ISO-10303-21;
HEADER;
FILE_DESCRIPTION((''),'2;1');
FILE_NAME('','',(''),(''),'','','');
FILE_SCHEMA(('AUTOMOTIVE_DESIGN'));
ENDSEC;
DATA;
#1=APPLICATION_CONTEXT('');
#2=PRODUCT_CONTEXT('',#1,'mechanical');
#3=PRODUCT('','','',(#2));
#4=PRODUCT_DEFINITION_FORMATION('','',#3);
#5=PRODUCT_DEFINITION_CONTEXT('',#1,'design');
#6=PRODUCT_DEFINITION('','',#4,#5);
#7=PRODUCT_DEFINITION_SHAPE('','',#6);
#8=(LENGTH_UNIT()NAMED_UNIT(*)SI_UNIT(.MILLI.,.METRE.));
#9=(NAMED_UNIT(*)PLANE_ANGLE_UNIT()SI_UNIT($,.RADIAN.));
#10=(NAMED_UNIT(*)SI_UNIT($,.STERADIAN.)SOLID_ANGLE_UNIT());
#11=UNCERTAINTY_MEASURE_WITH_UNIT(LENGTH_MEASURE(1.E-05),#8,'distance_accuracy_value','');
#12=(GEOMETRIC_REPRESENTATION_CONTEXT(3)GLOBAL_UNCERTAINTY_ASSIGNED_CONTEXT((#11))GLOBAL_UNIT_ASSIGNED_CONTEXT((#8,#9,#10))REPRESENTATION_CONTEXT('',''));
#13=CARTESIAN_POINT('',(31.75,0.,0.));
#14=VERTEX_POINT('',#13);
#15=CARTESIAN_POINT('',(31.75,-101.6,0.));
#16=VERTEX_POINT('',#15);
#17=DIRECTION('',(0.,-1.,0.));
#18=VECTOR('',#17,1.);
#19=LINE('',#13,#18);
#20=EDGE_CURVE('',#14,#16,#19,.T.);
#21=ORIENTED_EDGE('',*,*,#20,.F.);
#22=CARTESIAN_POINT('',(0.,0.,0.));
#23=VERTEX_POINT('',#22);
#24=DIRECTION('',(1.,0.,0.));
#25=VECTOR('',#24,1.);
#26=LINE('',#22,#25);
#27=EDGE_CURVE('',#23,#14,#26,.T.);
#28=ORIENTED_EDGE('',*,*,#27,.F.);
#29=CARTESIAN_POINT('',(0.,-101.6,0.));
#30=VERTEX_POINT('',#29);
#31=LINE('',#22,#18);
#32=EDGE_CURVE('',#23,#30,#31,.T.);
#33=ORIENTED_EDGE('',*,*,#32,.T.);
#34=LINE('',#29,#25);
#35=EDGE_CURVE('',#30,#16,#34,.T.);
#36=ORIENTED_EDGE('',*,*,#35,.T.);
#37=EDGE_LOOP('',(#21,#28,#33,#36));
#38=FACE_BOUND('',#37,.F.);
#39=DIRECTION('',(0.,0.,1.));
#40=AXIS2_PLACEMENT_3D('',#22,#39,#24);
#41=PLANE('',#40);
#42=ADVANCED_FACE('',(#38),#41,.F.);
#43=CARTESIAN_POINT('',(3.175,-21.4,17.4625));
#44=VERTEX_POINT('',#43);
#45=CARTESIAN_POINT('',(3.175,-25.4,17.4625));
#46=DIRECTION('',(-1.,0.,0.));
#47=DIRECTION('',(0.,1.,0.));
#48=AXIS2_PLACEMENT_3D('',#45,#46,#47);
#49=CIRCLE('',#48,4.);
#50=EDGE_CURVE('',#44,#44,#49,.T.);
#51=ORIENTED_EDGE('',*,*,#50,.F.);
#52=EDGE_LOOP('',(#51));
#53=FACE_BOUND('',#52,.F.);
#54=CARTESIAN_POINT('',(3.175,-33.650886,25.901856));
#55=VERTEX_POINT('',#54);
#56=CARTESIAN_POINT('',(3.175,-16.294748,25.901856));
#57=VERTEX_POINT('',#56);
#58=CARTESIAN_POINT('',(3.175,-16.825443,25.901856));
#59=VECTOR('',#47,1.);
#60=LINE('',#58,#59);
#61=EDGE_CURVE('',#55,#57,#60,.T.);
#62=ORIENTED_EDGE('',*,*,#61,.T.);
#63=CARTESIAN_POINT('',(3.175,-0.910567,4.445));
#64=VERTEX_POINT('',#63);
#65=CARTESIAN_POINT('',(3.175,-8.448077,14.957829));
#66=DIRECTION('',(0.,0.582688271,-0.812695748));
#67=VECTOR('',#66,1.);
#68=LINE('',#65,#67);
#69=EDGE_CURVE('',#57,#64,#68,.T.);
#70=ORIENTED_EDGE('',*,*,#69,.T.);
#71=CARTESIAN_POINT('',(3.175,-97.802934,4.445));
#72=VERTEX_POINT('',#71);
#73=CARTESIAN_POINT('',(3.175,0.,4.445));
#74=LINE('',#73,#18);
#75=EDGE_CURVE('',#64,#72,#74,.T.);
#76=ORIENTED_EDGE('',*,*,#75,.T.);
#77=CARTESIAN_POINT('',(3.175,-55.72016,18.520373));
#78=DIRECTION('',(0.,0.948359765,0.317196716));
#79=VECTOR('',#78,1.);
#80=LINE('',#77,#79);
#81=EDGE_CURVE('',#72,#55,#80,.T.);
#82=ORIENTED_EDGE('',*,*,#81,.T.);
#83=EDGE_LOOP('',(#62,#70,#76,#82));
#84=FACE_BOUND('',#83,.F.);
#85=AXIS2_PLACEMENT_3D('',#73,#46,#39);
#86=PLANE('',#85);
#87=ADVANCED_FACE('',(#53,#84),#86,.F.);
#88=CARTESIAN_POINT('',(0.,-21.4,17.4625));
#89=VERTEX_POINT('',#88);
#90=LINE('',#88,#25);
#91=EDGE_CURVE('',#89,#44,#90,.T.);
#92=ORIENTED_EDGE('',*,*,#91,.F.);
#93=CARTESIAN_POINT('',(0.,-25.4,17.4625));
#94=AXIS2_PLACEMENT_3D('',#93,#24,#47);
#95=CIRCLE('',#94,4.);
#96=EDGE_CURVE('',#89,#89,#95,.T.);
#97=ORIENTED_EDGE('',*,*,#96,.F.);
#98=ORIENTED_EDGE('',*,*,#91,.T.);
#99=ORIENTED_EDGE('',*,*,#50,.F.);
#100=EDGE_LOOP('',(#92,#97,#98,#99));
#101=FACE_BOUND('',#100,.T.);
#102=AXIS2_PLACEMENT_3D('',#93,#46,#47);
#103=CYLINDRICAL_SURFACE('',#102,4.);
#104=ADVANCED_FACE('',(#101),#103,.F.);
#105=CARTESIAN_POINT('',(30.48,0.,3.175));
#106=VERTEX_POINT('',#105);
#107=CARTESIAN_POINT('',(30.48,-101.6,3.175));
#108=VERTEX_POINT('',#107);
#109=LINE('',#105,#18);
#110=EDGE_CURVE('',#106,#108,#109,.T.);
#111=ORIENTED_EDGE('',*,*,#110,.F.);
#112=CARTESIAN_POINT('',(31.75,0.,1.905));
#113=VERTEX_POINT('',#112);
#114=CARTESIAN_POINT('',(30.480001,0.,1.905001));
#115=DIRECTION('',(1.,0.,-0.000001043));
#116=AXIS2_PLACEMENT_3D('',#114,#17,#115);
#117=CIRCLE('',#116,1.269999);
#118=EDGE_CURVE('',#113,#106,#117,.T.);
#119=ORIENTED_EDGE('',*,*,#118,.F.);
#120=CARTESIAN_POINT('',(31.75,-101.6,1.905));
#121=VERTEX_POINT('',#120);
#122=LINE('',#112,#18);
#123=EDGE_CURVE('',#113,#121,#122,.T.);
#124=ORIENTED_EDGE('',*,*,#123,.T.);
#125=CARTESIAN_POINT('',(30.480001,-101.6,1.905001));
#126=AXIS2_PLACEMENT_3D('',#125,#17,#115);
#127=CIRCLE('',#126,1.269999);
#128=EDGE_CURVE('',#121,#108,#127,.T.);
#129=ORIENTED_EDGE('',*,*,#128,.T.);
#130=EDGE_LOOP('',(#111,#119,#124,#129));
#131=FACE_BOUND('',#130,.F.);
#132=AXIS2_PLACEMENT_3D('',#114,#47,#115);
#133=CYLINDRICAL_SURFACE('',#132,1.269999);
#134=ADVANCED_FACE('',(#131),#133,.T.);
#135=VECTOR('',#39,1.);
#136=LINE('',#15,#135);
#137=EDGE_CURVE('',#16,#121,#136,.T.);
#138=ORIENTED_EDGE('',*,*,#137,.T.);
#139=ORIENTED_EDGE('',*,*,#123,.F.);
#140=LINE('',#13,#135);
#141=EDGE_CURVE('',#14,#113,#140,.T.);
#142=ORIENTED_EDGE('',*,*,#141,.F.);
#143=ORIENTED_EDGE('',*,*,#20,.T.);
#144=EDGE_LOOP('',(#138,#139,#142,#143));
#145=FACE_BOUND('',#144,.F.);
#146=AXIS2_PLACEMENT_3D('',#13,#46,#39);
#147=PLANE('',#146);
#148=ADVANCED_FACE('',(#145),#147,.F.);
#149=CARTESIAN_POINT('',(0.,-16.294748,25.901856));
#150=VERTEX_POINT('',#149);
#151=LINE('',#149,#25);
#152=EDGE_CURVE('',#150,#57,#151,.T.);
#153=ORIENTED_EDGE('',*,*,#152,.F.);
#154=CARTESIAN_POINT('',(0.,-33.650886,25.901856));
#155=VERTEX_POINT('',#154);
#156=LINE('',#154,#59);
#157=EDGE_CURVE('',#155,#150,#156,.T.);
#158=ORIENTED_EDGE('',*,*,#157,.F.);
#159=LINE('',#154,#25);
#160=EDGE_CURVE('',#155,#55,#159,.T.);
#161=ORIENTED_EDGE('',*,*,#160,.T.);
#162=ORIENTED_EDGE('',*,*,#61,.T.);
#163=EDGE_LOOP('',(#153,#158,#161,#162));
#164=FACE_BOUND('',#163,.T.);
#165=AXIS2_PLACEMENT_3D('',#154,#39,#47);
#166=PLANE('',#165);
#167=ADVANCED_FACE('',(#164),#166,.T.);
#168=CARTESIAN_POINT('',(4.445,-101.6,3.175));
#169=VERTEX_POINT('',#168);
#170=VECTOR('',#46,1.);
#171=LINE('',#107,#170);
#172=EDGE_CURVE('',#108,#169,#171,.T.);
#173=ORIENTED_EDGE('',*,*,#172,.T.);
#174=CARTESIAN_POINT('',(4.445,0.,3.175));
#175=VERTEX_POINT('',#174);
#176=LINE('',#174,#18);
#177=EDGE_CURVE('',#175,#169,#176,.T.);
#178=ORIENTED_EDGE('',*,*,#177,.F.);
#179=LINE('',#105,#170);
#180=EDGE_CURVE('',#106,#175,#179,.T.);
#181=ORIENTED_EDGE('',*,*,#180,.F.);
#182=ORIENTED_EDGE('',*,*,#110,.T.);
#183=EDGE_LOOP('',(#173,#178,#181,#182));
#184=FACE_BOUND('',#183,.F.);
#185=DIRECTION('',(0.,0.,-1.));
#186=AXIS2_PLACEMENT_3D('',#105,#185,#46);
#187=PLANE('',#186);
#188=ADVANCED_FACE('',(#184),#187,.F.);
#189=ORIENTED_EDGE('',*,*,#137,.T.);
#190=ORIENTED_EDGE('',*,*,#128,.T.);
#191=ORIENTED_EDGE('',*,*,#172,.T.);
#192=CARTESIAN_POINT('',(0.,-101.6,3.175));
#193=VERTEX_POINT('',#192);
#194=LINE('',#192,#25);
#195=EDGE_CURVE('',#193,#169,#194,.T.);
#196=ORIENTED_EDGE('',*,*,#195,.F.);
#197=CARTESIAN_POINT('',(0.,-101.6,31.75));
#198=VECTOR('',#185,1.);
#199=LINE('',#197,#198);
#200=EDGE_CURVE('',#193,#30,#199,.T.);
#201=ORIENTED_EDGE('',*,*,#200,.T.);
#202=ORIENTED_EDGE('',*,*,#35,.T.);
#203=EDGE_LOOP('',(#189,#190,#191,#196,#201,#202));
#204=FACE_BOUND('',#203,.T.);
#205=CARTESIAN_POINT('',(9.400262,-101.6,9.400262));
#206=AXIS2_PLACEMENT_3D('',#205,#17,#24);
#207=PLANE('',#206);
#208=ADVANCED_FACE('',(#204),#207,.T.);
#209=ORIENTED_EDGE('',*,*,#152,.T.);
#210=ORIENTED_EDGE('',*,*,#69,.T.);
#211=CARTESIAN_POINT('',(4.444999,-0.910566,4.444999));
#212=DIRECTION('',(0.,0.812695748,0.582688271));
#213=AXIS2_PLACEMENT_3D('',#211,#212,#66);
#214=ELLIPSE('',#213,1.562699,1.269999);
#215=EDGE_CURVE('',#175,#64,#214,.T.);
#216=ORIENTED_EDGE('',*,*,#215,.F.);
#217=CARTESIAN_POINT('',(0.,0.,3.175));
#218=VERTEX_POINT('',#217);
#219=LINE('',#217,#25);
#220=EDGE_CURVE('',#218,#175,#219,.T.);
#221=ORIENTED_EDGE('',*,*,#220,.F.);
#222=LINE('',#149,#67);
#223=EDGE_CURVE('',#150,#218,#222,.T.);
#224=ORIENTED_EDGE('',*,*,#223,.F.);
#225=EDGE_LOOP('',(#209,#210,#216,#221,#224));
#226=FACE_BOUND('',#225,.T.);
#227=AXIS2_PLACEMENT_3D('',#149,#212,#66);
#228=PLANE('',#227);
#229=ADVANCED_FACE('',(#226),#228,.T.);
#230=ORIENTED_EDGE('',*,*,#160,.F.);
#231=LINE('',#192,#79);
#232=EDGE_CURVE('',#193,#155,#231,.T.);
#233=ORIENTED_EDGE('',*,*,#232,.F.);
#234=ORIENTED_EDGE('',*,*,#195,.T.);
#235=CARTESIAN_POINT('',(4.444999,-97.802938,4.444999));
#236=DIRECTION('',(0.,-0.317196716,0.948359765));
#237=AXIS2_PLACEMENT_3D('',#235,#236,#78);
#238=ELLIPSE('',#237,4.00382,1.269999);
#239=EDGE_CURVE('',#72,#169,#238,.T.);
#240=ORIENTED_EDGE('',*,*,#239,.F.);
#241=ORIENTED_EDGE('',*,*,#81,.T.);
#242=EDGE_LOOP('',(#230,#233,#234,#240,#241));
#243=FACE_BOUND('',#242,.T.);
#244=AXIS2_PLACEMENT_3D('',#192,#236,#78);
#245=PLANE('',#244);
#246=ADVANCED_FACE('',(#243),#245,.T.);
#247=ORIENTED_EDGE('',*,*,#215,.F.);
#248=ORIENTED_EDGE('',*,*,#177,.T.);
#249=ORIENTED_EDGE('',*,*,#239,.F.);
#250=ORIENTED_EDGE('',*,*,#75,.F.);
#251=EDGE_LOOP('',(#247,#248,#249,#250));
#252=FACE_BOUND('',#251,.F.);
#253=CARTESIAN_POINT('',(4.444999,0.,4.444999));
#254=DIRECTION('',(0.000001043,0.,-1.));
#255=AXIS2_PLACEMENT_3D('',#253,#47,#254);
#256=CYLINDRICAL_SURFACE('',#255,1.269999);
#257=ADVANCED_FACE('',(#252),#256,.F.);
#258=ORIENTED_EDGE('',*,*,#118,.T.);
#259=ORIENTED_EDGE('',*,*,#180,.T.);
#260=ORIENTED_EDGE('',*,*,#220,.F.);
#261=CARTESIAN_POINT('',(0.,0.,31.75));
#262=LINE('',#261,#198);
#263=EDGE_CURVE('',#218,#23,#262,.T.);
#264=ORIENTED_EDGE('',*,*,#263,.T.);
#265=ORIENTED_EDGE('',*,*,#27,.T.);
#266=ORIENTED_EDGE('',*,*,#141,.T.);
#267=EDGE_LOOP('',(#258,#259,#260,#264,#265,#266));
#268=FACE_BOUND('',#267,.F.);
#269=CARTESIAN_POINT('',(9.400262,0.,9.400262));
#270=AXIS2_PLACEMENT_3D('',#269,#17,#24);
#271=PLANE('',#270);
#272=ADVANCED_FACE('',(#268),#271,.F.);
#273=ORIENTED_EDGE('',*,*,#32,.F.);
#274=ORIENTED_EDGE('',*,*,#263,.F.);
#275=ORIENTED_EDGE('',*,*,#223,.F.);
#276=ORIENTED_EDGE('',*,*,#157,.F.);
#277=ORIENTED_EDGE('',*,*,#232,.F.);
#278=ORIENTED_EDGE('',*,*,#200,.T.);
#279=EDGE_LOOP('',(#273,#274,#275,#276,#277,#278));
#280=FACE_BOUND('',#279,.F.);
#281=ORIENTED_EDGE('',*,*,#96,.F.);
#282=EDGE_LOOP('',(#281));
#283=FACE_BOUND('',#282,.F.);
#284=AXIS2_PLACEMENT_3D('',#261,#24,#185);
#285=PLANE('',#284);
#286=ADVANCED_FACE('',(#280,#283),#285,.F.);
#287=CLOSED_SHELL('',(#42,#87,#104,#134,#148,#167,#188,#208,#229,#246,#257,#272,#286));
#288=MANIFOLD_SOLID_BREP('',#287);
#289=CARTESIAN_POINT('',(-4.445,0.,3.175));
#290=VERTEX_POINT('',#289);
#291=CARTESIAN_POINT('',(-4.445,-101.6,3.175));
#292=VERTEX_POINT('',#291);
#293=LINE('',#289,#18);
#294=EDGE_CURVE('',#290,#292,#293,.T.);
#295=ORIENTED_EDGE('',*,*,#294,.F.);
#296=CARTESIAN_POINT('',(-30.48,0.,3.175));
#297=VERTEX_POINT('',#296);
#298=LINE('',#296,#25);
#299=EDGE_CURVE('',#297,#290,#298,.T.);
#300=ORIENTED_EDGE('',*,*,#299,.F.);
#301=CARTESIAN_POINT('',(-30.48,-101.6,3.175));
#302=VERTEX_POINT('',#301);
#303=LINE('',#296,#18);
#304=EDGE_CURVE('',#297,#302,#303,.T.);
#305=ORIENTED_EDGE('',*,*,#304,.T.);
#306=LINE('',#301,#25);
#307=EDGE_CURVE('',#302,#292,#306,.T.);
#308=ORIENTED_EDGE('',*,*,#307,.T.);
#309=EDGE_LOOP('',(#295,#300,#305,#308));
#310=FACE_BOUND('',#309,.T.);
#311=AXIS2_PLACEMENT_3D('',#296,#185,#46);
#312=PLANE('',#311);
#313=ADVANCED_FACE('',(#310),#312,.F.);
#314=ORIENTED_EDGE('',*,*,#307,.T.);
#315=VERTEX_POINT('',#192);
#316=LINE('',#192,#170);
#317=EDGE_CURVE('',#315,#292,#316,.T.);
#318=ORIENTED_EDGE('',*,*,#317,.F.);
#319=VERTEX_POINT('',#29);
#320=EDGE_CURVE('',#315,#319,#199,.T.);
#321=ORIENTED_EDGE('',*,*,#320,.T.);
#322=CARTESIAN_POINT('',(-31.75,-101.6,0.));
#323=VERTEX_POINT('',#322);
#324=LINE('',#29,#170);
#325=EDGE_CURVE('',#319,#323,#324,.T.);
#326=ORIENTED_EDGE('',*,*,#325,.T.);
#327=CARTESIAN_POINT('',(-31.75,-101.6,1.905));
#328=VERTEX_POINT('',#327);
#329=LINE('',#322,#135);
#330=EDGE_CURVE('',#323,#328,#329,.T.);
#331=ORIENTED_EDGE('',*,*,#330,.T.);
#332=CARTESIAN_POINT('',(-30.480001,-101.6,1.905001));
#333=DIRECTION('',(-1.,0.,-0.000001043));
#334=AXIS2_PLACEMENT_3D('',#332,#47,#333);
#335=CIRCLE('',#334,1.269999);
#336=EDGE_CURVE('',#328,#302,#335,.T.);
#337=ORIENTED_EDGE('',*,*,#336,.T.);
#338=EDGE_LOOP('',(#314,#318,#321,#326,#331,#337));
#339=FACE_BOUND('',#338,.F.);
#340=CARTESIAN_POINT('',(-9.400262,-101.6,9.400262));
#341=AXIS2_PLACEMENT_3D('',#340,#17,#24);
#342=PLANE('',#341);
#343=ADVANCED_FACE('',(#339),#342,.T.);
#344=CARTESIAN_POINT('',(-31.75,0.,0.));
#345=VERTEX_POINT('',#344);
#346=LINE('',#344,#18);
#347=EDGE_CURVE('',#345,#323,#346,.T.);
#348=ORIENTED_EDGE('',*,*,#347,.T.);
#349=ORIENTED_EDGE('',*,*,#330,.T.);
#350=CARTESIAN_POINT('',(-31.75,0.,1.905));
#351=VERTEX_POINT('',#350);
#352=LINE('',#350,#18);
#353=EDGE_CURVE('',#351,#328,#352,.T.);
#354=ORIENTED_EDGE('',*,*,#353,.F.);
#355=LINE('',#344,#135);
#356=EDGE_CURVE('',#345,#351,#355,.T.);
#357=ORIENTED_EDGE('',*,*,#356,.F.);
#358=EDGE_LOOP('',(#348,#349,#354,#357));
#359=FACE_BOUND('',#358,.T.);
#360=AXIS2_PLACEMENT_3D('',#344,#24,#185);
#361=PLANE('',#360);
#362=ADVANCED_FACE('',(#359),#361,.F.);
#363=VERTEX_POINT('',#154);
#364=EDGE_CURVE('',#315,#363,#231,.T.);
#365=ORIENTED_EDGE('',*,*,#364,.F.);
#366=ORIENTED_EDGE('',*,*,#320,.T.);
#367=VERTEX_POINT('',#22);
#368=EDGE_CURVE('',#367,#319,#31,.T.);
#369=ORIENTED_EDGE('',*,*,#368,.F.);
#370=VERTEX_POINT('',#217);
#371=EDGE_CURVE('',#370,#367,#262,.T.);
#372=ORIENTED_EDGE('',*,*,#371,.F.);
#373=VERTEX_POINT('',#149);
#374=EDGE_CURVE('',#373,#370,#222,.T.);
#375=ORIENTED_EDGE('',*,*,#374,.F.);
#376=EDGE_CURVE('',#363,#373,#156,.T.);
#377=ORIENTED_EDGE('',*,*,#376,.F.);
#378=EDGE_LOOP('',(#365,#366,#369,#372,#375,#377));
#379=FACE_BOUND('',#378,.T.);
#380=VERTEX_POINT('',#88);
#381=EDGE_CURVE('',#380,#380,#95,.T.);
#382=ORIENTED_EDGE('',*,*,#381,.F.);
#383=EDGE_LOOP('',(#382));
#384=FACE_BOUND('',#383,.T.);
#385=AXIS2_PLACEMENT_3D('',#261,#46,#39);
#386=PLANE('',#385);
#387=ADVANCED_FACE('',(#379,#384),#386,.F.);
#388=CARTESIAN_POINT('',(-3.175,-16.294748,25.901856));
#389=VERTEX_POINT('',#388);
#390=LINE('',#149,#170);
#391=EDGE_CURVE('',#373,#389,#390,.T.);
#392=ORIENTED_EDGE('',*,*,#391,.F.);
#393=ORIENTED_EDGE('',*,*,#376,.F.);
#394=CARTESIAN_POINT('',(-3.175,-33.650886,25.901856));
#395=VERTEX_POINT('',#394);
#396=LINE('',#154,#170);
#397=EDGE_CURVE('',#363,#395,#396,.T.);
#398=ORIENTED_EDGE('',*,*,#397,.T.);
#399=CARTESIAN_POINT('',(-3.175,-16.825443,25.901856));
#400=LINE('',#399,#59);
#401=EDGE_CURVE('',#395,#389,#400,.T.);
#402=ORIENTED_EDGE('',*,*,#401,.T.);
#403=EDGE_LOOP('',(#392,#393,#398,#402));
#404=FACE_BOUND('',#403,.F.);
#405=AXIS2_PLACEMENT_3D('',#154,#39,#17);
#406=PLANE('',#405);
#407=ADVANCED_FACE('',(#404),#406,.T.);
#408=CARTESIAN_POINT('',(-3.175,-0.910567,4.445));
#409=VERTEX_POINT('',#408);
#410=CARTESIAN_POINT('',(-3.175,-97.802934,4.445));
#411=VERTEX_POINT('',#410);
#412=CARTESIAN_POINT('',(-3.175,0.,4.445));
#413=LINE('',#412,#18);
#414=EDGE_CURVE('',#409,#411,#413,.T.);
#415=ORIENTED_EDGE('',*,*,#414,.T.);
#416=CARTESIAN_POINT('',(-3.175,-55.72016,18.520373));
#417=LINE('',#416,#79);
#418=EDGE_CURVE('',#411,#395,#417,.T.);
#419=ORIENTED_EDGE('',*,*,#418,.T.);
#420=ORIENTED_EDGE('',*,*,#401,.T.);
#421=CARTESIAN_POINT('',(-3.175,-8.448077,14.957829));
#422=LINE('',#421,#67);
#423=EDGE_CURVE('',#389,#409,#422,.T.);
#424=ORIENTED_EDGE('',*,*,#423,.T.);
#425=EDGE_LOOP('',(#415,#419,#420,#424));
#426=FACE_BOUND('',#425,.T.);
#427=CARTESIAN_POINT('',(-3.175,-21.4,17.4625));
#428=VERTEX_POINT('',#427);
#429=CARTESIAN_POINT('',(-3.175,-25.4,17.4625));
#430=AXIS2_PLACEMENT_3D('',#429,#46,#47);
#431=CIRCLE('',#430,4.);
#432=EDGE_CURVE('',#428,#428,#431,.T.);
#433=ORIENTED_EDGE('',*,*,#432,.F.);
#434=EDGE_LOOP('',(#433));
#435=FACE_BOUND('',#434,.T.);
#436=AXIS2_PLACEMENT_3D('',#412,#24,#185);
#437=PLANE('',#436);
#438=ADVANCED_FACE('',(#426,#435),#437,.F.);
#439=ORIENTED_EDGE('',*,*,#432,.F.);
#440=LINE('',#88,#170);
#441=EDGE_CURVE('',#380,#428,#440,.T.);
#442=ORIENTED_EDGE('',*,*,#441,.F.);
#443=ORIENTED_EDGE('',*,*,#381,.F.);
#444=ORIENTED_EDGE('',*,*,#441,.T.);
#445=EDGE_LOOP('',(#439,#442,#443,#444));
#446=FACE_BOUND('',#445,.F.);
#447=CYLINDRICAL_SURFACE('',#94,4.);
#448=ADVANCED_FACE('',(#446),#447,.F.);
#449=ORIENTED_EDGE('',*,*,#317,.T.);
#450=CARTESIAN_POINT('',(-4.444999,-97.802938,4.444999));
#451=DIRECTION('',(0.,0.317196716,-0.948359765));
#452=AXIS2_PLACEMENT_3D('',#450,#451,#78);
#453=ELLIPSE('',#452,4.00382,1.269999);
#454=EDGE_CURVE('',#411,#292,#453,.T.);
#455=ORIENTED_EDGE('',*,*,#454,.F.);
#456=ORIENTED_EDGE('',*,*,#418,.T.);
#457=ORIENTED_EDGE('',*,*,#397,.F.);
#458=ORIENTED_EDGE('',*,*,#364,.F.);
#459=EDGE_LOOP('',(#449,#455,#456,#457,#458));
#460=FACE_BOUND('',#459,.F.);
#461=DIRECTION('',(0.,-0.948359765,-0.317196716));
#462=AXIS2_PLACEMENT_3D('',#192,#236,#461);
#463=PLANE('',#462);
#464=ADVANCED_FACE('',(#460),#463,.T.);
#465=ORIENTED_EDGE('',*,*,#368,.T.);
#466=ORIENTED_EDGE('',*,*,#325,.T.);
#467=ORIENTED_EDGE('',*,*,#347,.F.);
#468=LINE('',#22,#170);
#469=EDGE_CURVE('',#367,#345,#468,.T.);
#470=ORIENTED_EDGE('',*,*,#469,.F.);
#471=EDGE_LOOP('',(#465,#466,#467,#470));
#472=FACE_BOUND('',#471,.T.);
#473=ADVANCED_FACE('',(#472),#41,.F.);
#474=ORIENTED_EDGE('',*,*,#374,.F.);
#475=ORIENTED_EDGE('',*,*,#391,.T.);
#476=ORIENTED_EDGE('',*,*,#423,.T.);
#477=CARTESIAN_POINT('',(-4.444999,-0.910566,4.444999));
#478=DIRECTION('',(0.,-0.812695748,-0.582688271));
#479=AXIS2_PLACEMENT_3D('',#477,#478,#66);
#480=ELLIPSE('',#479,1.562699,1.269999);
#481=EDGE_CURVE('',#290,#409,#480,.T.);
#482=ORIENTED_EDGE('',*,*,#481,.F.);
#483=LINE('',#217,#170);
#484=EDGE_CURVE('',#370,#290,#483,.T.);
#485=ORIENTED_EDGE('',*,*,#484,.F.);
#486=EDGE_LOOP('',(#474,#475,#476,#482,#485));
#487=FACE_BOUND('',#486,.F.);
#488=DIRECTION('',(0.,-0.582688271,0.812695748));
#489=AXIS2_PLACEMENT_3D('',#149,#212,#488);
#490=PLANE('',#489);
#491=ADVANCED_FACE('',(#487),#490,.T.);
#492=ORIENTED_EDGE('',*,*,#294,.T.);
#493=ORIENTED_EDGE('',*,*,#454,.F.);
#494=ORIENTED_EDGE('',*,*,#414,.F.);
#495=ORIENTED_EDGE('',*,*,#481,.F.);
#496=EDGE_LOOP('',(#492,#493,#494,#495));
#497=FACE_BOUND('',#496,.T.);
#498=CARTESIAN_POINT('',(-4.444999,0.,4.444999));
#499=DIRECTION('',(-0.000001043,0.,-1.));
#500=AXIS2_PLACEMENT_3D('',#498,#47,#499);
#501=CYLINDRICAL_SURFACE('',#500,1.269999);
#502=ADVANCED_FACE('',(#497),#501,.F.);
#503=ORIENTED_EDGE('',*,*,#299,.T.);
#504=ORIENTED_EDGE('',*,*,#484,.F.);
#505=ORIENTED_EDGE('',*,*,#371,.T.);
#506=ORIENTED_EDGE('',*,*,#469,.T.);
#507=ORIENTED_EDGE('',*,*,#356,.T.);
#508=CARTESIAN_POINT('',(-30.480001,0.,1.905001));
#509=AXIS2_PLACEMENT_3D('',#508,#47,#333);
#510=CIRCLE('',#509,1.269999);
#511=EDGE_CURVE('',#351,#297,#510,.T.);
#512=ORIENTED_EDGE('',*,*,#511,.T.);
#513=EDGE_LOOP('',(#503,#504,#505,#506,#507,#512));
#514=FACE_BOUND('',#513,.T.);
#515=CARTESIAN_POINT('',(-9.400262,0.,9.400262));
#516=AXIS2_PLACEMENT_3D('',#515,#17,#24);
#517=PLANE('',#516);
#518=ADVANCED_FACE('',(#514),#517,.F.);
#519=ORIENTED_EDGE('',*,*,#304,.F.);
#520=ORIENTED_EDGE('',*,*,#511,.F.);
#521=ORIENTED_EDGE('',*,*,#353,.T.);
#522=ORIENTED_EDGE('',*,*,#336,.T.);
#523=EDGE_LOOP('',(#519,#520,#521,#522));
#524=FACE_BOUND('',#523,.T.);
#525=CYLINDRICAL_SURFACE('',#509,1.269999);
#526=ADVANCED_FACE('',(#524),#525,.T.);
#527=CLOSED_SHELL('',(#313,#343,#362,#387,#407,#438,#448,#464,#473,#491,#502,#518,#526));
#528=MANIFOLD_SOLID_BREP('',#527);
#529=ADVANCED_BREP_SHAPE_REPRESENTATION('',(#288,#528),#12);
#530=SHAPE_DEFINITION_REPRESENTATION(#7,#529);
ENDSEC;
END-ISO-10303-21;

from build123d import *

# Parameters (mm, degrees)
F1_DEPTH = 101.6
F2_R     = 4
F3_DEPTH = 31.751


with BuildPart() as f1:
    # F0 (on Front) → F1 (new body)
    with BuildSketch(Plane.XZ):
        with BuildLine():
            Line((0, 31.75), (0, 0))
            Line((0, 0), (31.75, 0))
            Line((31.75, 0), (31.75, 1.905))
            ThreePointArc((31.75, 1.905), (31.378026, 2.803026), (30.48, 3.175))
            Line((30.48, 3.175), (4.445, 3.175))
            ThreePointArc((4.445, 3.175), (3.546974, 3.546974), (3.175, 4.445))
            Line((3.175, 4.445), (3.175, 30.48))
            ThreePointArc((3.175, 30.48), (2.803026, 31.378026), (1.905, 31.75))
            Line((1.905, 31.75), (0, 31.75))
        make_face()
    extrude(amount=F1_DEPTH)

    # F2 (on Right) → F3 (cut, through all)
    with BuildSketch(Plane.YZ):
        with Locations((-25.4, 17.4625)):
            Circle(F2_R)
        Polygon((-101.6, 3.175), (-33.650886, 25.901856), (-16.294748, 25.901856), (0, 3.175), (0, 31.75), (-101.6, 31.75), align=None)
    extrude(amount=F3_DEPTH, mode=Mode.SUBTRACT)


with BuildPart() as f4_1:
    # F4: instance of F1
    add(f1.part.mirror(Plane.YZ))


solid = Compound([f1.part, f4_1.part])
